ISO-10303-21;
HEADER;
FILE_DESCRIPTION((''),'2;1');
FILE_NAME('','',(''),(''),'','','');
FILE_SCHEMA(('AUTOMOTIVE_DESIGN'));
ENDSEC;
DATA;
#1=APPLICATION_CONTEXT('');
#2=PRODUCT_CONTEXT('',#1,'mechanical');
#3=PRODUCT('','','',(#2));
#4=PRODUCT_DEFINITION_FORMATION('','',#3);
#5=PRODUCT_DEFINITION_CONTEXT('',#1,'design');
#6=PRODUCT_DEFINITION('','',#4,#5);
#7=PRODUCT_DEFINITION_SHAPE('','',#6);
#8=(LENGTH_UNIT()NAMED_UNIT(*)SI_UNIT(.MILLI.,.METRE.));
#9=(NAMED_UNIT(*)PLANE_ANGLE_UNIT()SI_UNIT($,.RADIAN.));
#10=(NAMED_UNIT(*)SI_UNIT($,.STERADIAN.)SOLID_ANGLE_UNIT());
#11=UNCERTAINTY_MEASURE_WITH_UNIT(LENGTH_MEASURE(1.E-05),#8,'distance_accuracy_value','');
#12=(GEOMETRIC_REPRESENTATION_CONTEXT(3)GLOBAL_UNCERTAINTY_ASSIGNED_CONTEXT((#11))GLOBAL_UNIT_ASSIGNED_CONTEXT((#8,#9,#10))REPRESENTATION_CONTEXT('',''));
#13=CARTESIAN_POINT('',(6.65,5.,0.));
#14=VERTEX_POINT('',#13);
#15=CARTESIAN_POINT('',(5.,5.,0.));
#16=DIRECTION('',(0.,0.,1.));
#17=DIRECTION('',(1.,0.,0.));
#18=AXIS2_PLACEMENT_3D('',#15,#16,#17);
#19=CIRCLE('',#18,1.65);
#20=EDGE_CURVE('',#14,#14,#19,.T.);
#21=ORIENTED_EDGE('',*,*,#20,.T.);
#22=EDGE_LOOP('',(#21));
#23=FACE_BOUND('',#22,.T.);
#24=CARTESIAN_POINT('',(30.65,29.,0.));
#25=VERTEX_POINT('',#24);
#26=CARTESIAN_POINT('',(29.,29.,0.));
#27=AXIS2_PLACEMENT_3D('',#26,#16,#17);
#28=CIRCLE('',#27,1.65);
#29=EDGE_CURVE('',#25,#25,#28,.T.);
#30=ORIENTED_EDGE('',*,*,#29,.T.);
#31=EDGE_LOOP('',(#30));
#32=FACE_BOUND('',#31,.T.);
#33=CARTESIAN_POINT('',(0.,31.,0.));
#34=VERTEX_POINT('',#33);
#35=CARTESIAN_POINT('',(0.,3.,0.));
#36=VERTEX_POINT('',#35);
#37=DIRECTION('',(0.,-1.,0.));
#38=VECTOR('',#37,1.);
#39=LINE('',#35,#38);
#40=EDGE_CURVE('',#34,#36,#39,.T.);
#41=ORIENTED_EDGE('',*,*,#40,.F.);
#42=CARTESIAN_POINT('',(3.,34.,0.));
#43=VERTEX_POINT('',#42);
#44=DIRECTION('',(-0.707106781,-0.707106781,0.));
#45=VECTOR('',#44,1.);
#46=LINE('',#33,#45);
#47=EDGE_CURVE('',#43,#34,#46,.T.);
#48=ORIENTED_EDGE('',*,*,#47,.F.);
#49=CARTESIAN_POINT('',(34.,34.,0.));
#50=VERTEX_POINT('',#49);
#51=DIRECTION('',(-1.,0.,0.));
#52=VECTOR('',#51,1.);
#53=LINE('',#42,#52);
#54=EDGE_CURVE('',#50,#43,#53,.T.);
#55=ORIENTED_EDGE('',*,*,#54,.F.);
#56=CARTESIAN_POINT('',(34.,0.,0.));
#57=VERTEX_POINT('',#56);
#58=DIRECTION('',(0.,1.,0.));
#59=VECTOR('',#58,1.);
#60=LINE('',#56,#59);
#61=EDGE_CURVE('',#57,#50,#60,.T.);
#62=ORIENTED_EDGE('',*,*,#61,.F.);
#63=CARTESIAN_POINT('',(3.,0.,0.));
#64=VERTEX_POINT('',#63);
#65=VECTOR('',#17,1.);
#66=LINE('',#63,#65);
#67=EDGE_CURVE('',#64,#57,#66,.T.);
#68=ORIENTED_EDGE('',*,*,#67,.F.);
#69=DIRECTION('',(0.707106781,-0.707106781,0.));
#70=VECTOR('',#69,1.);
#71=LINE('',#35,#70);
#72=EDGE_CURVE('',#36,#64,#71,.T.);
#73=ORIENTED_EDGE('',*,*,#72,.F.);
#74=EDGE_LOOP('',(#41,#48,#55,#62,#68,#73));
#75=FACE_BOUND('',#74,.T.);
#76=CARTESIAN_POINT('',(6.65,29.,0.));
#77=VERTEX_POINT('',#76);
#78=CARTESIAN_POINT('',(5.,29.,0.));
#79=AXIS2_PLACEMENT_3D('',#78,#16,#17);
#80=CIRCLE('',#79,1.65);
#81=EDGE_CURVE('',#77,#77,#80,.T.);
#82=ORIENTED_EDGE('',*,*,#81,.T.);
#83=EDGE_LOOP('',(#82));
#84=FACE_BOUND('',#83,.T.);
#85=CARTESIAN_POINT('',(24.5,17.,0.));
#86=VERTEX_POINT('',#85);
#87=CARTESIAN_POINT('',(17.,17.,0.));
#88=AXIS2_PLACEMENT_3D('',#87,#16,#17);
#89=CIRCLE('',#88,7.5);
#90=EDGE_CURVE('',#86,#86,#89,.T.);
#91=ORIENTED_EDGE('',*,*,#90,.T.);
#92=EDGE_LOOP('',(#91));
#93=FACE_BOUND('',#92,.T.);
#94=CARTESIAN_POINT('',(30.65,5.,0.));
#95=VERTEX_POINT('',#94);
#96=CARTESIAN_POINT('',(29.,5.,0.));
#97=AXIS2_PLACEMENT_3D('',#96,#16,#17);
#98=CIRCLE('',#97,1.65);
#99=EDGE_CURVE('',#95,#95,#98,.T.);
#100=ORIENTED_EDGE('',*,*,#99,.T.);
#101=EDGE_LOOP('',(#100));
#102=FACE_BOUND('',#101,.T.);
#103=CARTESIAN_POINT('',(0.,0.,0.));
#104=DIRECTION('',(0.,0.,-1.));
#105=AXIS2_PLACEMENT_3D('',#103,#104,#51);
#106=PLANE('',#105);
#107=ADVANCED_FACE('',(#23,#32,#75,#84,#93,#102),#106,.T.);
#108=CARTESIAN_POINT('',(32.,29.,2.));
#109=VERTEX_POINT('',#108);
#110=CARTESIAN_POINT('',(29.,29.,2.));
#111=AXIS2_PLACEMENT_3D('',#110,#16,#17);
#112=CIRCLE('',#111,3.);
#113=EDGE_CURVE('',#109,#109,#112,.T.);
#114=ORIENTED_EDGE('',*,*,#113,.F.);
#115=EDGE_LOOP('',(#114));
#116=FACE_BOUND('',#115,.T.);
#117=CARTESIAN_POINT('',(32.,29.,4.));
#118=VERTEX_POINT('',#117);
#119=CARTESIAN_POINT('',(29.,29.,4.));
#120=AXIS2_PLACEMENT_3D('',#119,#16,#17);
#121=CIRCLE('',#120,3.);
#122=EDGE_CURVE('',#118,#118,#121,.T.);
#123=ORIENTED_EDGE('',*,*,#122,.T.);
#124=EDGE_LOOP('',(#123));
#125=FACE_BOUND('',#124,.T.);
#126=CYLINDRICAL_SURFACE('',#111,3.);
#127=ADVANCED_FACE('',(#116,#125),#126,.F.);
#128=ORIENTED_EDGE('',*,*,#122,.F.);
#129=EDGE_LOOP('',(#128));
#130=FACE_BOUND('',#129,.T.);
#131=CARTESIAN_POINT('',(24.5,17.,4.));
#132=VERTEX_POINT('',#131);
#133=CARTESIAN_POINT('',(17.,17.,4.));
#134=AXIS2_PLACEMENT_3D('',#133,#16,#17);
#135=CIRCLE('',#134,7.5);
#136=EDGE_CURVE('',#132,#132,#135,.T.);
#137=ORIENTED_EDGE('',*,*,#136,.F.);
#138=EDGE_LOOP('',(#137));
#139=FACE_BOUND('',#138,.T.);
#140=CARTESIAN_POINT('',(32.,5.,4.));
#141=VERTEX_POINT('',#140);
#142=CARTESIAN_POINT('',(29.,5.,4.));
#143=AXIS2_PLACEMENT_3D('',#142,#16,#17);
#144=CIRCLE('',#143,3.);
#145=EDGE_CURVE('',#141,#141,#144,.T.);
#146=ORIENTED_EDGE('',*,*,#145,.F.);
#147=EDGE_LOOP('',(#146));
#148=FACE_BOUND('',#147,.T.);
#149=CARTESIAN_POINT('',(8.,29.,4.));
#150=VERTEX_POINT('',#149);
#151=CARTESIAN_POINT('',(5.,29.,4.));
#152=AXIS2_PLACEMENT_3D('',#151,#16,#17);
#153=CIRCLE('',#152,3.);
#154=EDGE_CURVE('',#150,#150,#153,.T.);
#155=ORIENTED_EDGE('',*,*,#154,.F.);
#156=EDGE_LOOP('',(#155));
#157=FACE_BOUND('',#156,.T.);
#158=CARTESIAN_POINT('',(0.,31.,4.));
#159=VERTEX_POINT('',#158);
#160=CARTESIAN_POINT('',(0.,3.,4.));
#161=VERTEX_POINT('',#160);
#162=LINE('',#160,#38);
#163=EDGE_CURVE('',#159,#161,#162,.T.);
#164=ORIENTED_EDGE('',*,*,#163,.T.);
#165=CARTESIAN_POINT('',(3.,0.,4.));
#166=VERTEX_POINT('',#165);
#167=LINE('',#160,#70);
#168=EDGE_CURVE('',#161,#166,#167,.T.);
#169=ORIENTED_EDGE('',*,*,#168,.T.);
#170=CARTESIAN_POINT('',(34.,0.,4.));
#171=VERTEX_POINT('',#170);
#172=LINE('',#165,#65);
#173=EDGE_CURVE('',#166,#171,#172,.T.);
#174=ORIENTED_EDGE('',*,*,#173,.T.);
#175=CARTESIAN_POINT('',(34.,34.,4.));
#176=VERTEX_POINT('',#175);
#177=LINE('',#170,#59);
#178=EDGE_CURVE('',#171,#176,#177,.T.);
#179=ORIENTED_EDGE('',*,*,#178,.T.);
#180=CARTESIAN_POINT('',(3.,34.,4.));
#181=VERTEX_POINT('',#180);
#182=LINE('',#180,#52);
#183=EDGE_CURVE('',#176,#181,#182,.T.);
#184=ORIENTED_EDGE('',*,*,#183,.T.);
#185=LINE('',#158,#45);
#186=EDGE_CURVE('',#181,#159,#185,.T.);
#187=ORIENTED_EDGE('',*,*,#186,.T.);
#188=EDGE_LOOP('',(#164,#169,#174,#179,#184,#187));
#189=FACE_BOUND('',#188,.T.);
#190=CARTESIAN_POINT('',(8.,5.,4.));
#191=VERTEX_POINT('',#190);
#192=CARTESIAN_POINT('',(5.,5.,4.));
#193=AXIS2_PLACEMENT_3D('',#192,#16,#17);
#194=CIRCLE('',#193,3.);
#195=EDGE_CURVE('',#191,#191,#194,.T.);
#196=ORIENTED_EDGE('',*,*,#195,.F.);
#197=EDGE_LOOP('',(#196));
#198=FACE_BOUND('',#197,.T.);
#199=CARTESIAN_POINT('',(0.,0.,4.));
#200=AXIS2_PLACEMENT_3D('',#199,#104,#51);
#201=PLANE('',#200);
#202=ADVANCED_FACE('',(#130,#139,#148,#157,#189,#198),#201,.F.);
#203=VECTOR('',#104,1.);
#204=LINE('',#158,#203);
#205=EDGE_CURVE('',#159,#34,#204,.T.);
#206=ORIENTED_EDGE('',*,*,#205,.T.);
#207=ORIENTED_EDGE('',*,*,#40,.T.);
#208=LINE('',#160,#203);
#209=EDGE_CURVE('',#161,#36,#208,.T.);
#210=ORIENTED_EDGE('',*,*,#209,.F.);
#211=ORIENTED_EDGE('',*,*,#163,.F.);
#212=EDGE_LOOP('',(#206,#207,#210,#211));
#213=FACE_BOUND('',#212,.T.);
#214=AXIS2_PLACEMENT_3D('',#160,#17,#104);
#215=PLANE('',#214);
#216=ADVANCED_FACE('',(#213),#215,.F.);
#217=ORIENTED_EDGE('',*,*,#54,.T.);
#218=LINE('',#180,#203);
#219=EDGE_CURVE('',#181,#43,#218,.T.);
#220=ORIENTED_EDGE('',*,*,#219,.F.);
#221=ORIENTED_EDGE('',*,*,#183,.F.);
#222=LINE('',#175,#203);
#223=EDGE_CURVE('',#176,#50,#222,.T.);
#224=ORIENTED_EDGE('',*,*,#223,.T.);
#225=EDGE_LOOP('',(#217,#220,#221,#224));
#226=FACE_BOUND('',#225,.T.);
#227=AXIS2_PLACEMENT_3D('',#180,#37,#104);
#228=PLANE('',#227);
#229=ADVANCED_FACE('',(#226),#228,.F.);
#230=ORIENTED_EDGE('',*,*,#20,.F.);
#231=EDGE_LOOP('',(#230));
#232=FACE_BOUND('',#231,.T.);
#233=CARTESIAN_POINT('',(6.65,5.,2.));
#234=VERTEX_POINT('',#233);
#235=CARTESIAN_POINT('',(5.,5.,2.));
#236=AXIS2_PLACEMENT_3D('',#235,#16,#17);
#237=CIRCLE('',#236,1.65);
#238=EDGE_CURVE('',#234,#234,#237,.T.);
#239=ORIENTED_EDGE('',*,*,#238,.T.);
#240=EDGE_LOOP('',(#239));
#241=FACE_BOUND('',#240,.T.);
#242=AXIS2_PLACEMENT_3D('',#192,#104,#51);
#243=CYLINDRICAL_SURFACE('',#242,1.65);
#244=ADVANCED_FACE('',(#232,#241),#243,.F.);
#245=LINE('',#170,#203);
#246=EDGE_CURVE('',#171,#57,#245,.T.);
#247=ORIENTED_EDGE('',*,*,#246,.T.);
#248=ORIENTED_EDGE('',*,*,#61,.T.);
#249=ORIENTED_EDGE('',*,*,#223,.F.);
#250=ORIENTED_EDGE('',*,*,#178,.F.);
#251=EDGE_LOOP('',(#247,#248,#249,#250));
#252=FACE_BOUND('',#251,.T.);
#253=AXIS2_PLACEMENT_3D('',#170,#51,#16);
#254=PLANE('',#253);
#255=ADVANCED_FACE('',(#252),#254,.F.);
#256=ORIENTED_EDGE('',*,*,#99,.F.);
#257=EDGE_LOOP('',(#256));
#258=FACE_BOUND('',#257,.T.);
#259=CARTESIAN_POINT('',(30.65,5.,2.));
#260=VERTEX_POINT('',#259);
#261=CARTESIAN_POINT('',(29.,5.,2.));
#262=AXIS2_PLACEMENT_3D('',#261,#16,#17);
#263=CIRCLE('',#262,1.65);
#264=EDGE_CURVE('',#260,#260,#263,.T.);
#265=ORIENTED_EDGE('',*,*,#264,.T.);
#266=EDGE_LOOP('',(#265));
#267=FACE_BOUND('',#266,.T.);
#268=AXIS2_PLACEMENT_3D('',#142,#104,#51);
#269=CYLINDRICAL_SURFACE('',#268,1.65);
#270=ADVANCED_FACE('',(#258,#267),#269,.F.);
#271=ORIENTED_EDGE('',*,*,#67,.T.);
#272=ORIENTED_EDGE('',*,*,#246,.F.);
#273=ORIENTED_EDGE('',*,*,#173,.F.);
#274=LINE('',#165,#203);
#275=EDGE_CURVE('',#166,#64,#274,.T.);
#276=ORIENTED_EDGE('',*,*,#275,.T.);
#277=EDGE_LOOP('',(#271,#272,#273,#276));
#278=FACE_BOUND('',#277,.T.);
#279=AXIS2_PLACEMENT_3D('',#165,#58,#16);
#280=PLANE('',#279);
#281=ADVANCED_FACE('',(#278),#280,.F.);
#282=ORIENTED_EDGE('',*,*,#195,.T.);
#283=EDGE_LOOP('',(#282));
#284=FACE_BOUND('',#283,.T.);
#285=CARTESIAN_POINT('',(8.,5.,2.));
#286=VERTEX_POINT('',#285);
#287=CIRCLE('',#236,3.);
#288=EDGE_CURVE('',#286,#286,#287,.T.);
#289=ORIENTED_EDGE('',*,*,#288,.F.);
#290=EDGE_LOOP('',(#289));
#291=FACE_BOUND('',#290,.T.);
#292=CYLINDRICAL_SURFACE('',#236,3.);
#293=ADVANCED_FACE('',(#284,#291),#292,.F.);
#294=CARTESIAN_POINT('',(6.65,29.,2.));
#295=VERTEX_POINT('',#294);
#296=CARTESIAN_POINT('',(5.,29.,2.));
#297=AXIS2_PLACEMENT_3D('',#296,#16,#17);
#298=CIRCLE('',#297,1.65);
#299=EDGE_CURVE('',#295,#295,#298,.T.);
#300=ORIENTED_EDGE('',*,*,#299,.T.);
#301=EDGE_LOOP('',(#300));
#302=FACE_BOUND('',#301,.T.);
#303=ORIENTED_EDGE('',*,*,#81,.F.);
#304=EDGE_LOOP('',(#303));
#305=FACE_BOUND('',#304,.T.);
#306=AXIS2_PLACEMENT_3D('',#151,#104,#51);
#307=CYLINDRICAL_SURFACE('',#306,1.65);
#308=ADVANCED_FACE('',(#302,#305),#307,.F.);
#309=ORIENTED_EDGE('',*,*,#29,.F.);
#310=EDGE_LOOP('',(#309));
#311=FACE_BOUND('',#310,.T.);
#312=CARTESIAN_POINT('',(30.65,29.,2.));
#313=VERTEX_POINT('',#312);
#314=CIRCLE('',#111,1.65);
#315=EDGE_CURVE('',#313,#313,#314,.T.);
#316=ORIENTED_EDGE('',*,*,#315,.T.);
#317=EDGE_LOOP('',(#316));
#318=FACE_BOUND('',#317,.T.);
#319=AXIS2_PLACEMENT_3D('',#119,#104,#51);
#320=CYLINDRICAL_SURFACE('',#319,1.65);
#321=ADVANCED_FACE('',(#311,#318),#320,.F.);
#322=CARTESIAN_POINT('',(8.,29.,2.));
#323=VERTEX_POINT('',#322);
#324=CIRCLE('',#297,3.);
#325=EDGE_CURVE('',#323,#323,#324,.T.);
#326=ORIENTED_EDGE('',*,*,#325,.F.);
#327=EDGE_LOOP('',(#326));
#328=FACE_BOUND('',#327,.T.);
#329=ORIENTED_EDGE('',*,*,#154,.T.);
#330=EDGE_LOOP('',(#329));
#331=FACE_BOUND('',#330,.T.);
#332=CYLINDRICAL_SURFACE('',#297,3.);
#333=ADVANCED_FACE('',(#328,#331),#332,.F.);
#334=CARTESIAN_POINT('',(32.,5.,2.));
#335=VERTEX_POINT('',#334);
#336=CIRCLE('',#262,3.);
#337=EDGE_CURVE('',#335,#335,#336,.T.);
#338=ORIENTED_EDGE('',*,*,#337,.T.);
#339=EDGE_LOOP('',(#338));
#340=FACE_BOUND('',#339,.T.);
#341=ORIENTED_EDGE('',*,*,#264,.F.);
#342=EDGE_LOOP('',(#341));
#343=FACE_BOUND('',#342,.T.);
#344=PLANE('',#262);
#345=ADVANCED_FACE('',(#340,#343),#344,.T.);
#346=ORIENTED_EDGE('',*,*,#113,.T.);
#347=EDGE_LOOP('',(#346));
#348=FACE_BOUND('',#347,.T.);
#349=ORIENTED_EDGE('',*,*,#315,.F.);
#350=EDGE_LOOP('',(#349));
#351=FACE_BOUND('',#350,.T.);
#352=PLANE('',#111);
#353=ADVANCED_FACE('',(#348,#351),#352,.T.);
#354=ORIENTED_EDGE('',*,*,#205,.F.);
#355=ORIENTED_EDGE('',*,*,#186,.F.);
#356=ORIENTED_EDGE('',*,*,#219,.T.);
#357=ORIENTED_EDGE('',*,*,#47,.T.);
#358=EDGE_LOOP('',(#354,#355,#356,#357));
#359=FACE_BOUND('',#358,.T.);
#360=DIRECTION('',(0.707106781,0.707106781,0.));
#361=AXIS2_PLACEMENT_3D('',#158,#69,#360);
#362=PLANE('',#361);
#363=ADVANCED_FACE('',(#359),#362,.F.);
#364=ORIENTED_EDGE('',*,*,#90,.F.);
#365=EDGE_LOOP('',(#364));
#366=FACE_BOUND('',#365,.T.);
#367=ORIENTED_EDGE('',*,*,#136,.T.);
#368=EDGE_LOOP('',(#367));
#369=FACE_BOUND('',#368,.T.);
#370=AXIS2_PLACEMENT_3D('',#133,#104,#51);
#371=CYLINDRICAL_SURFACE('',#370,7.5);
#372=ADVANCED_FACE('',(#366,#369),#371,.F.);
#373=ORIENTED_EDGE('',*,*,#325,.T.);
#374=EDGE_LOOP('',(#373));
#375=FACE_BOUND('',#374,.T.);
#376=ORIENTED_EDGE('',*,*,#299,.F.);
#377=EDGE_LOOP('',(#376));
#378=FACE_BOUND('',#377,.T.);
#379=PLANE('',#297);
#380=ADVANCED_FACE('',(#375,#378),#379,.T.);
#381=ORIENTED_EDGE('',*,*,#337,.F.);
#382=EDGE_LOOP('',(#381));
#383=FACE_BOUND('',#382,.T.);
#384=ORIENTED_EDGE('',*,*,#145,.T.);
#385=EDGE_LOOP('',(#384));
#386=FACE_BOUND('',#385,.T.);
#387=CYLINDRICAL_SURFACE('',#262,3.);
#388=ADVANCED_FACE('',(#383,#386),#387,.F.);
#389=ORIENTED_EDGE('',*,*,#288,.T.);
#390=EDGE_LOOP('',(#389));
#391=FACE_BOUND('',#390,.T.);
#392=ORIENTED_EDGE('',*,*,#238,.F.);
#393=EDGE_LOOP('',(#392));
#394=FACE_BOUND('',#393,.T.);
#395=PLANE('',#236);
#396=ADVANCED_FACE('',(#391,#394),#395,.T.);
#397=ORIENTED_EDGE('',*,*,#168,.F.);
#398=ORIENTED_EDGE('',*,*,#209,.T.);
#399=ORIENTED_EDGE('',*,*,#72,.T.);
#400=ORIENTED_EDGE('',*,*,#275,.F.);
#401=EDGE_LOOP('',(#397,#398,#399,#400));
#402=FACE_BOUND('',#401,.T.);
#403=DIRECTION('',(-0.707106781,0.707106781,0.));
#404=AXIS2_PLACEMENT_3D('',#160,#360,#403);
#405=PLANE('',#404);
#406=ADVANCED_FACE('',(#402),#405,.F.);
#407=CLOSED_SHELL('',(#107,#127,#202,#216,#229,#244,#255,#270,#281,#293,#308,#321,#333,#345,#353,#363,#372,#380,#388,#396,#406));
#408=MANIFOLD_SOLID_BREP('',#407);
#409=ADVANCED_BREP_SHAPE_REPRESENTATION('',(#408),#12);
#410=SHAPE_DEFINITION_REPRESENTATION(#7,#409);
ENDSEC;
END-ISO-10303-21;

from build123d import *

# Parameters (mm, degrees)
SKETCH_1_R          = 7.5
SKETCH_1_R_2        = 1.65
EXTRUDE_1_DEPTH     = 4
SKETCH_2_R          = 3
CUT_EXTRUDE_1_DEPTH = 2


with BuildPart() as part:
    # 草图1 → 凸台-拉伸1 (new body)
    with BuildSketch(Plane.XY):
        Polygon((0, 31), (3, 34), (34, 34), (34, 0), (3, 0), (0, 3), align=None)
        with Locations((17, 17)):
            Circle(SKETCH_1_R, mode=Mode.SUBTRACT)
        with Locations((5, 29)):
            Circle(SKETCH_1_R_2, mode=Mode.SUBTRACT)
        with Locations((29, 29)):
            Circle(SKETCH_1_R_2, mode=Mode.SUBTRACT)
        with Locations((5, 5)):
            Circle(SKETCH_1_R_2, mode=Mode.SUBTRACT)
        with Locations((29, 5)):
            Circle(SKETCH_1_R_2, mode=Mode.SUBTRACT)
    extrude(amount=EXTRUDE_1_DEPTH)

    # 草图2 → 切除-拉伸1 (cut)
    with BuildSketch(Plane.XY.offset(4)):
        with Locations((5, 29)):
            Circle(SKETCH_2_R)
        with Locations((29, 29)):
            Circle(SKETCH_2_R)
        with Locations((5, 5)):
            Circle(SKETCH_2_R)
        with Locations((29, 5)):
            Circle(SKETCH_2_R)
    extrude(amount=-CUT_EXTRUDE_1_DEPTH, mode=Mode.SUBTRACT)


solid = part.part
